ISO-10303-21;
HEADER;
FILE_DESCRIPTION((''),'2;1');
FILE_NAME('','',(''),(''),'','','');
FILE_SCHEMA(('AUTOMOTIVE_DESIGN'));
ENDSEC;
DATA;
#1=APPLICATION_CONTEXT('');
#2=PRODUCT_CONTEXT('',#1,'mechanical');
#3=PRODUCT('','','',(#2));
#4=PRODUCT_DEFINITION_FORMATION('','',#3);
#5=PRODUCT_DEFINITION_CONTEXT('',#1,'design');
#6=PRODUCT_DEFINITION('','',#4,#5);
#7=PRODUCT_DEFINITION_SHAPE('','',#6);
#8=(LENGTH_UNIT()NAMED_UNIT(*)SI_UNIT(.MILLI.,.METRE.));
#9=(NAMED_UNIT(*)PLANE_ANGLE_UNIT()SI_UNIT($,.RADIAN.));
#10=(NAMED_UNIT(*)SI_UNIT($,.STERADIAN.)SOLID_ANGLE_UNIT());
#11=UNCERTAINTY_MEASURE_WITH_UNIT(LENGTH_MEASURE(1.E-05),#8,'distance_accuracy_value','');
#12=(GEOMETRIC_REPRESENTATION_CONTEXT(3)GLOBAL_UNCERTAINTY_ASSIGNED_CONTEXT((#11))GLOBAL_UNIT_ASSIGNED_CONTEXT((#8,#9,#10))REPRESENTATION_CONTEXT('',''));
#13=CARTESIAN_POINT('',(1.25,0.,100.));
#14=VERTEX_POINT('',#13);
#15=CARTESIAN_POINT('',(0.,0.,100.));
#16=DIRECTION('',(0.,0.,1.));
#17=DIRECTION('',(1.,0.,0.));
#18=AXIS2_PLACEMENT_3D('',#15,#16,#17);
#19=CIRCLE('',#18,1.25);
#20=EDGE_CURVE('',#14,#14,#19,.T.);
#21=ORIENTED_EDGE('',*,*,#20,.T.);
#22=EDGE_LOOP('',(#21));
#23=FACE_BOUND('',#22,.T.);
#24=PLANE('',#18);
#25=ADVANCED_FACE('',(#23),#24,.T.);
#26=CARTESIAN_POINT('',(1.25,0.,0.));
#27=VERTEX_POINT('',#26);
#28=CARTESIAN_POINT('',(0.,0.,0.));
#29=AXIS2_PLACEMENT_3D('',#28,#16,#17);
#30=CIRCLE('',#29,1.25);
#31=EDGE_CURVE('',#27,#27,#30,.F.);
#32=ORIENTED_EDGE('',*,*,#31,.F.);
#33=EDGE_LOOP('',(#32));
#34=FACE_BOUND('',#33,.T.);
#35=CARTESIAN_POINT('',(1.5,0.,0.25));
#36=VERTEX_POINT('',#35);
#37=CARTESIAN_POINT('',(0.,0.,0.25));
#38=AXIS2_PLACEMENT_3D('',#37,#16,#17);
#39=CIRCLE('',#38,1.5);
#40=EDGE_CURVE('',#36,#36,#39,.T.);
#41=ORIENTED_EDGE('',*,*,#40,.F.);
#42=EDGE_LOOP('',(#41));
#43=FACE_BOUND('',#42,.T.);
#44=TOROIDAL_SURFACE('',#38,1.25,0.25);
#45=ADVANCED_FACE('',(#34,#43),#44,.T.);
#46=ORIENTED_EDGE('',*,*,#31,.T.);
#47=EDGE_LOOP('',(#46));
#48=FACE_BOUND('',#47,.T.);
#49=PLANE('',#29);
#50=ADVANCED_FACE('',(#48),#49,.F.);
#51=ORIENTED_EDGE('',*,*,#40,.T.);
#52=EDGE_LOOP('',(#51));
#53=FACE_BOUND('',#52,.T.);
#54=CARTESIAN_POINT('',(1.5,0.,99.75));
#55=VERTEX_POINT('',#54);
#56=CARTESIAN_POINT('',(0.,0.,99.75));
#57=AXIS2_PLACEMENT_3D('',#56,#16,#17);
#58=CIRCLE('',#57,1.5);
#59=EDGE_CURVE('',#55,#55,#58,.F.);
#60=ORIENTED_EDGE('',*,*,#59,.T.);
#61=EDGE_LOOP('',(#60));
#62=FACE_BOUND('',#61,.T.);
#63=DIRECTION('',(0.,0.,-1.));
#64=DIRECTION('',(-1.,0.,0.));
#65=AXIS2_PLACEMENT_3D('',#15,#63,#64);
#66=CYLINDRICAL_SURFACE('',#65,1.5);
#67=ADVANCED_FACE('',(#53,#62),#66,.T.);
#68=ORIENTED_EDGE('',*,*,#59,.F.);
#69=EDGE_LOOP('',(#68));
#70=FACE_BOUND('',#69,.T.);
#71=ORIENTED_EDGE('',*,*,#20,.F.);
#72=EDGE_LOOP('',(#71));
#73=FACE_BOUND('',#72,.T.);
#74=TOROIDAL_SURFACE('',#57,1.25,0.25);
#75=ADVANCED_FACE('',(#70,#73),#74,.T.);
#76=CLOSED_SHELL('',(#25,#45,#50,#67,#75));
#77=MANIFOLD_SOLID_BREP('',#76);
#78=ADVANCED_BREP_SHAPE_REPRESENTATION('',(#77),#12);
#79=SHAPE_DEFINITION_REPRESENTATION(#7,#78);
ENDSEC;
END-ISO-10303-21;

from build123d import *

# Parameters (mm, degrees)
SKETCH1_R           = 1.5
BOSS_EXTRUDE1_DEPTH = 100
FILLET1_R           = 0.25


with BuildPart() as part:
    # Sketch1 → Boss-Extrude1 (new body)
    with BuildSketch(Plane.XY):
        Circle(SKETCH1_R)
    extrude(amount=BOSS_EXTRUDE1_DEPTH)

    # Fillet1
    fillet1_edges = [part.edges().sort_by_distance(p)[0] for p in [
        (-1.5, 0, 0),
        (-1.5, 0, 100),
    ]]
    fillet(fillet1_edges, radius=FILLET1_R)


solid = part.part
